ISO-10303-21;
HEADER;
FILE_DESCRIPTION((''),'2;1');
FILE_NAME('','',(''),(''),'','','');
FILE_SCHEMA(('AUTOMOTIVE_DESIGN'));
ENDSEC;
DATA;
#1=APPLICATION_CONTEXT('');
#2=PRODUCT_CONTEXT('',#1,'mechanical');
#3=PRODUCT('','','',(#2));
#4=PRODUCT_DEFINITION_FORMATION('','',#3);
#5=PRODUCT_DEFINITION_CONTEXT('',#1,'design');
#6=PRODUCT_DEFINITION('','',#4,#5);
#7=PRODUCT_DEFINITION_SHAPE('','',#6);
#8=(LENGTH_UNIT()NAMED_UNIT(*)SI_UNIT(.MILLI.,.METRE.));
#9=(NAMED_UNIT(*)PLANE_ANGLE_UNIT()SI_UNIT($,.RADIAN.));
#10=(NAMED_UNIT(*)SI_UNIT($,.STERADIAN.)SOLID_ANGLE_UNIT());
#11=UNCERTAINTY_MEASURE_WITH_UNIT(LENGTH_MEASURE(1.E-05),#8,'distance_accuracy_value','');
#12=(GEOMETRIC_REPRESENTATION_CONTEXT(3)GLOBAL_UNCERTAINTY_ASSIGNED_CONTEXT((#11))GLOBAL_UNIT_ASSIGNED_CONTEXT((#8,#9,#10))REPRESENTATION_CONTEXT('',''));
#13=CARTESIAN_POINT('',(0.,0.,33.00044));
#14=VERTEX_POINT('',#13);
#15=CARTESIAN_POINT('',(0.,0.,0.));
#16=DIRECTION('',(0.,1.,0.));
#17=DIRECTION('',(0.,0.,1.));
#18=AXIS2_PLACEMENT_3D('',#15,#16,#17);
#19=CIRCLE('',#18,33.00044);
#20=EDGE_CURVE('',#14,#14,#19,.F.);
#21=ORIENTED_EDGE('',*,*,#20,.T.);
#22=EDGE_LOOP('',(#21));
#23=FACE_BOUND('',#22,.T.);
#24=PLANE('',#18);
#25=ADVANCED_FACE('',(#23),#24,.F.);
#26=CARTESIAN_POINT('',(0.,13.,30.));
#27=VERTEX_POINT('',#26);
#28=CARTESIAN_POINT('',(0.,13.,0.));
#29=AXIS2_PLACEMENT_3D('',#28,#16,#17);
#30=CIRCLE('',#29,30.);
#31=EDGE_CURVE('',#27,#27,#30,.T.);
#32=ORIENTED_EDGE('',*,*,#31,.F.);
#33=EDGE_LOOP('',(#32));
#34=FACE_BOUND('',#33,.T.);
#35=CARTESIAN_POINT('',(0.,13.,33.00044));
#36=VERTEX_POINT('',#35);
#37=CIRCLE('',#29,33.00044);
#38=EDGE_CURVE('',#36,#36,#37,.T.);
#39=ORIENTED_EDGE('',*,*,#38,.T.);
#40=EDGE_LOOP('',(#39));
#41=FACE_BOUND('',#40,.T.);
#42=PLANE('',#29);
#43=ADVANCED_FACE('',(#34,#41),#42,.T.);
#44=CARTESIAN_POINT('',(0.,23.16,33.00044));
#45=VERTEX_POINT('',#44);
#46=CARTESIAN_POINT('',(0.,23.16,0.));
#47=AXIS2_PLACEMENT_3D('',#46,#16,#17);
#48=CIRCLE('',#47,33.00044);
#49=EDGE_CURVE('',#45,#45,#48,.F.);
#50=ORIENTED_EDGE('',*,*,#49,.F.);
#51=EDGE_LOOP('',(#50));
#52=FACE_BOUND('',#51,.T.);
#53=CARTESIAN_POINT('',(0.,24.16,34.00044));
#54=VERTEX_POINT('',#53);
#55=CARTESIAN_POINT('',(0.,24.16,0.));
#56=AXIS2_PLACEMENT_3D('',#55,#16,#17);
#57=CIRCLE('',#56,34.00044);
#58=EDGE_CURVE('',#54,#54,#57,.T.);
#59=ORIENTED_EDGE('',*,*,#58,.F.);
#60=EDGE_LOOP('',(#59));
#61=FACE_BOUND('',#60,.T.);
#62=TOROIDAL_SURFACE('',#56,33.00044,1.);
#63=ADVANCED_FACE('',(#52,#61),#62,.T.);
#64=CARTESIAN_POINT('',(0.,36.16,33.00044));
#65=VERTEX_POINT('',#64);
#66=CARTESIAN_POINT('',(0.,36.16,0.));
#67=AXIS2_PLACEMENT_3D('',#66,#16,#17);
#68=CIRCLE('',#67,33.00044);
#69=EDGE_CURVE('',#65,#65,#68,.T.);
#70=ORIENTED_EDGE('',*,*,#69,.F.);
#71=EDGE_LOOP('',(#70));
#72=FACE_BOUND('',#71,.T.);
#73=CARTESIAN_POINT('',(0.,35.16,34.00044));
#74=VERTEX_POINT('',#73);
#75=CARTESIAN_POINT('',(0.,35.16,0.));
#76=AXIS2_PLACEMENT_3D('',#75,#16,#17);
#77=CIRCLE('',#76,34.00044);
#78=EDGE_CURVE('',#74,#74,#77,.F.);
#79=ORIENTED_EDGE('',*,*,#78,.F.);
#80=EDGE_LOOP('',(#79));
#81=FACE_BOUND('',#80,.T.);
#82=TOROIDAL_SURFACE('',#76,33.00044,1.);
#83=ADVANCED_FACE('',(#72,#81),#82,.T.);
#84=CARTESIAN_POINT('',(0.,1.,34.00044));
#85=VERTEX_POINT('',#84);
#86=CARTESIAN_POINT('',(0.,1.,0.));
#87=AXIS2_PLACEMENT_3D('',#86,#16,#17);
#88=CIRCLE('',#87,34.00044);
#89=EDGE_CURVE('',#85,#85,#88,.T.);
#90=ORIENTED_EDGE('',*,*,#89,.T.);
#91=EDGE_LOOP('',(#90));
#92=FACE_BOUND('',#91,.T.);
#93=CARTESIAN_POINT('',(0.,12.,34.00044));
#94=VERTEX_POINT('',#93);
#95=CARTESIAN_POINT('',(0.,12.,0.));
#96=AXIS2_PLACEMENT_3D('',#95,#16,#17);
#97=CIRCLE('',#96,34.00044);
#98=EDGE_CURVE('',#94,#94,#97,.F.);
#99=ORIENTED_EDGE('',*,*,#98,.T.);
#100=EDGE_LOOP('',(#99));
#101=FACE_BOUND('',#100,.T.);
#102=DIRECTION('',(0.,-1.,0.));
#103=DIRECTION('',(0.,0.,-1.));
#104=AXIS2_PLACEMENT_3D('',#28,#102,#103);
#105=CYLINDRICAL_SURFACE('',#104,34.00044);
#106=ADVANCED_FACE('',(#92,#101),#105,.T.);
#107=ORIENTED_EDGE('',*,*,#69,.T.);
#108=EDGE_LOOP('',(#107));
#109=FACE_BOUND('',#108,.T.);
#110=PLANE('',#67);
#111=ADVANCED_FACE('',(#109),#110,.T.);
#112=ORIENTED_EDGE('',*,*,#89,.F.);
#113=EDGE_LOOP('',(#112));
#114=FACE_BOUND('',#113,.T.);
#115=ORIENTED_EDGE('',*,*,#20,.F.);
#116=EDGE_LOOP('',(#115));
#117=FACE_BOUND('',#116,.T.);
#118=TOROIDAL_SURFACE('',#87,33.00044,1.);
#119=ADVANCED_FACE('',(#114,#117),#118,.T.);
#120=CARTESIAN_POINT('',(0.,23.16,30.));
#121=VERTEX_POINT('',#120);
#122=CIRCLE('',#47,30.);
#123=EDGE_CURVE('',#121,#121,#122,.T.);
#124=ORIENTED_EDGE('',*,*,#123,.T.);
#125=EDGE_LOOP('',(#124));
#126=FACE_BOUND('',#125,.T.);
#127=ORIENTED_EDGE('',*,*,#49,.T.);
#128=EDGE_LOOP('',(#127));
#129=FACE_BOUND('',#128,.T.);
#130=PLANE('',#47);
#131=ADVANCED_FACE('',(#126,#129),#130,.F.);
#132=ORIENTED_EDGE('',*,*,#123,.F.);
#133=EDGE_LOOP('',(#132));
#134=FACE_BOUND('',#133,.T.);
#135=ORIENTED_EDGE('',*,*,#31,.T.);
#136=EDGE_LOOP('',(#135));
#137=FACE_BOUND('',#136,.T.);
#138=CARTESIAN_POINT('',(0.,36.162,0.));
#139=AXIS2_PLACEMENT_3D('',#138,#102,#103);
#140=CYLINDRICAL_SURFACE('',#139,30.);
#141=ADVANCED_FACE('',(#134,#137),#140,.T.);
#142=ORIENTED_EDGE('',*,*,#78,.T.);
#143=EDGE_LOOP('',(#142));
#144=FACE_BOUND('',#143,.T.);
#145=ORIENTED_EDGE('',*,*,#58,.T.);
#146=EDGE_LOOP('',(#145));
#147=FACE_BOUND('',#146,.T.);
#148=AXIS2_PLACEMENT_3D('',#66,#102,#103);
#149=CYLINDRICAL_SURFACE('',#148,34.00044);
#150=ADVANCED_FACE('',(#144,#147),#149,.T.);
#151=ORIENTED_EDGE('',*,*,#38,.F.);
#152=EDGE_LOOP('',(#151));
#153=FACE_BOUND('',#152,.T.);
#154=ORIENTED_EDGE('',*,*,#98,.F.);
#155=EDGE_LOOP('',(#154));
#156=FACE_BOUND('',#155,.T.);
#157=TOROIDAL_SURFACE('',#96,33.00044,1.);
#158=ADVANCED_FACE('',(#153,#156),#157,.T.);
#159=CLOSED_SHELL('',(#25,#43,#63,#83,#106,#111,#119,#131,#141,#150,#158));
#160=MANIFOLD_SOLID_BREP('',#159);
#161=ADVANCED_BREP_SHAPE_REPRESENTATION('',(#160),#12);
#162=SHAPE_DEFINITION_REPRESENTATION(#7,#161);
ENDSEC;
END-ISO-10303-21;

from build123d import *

# Parameters (mm, degrees)
SKETCH1_R           = 34.00044
BOSS_EXTRUDE1_DEPTH = 13
FILLET1_R           = 1
LPATTERN1_COUNT     = 2
LPATTERN1_PITCH     = 23.16
SKETCH2_R           = 30
BOSS_EXTRUDE2_DEPTH = 23.16


with BuildPart() as part:
    # Sketch1 → Boss-Extrude1 (new body)
    with BuildSketch(Plane(origin=(0, 0, 0), x_dir=(1, 0, 0), z_dir=(0, 1, 0))):
        Circle(SKETCH1_R)
    extrude(amount=BOSS_EXTRUDE1_DEPTH)

    # Fillet1
    fillet1_edges = [part.edges().sort_by_distance(p)[0] for p in [
        (-34.00044, 0, 0),
        (-34.00044, 13, 0),
    ]]
    fillet(fillet1_edges, radius=FILLET1_R)


with BuildPart() as lpattern1_1:
    # LPattern1: pattern copy
    add(part.part.moved(Location(Vector(0, 1, 0) * (1 * LPATTERN1_PITCH))))


with BuildPart() as part_1:
    add(part.part)

    add(lpattern1_1.part)  # Boss-Extrude2 merges LPattern1_1
    # Sketch2 → Boss-Extrude2 (add)
    with BuildSketch(Plane(origin=(0, 13, 0), x_dir=(1, 0, 0), z_dir=(0, 1, 0))):
        Circle(SKETCH2_R)
    extrude(amount=BOSS_EXTRUDE2_DEPTH)


solid = part_1.part
